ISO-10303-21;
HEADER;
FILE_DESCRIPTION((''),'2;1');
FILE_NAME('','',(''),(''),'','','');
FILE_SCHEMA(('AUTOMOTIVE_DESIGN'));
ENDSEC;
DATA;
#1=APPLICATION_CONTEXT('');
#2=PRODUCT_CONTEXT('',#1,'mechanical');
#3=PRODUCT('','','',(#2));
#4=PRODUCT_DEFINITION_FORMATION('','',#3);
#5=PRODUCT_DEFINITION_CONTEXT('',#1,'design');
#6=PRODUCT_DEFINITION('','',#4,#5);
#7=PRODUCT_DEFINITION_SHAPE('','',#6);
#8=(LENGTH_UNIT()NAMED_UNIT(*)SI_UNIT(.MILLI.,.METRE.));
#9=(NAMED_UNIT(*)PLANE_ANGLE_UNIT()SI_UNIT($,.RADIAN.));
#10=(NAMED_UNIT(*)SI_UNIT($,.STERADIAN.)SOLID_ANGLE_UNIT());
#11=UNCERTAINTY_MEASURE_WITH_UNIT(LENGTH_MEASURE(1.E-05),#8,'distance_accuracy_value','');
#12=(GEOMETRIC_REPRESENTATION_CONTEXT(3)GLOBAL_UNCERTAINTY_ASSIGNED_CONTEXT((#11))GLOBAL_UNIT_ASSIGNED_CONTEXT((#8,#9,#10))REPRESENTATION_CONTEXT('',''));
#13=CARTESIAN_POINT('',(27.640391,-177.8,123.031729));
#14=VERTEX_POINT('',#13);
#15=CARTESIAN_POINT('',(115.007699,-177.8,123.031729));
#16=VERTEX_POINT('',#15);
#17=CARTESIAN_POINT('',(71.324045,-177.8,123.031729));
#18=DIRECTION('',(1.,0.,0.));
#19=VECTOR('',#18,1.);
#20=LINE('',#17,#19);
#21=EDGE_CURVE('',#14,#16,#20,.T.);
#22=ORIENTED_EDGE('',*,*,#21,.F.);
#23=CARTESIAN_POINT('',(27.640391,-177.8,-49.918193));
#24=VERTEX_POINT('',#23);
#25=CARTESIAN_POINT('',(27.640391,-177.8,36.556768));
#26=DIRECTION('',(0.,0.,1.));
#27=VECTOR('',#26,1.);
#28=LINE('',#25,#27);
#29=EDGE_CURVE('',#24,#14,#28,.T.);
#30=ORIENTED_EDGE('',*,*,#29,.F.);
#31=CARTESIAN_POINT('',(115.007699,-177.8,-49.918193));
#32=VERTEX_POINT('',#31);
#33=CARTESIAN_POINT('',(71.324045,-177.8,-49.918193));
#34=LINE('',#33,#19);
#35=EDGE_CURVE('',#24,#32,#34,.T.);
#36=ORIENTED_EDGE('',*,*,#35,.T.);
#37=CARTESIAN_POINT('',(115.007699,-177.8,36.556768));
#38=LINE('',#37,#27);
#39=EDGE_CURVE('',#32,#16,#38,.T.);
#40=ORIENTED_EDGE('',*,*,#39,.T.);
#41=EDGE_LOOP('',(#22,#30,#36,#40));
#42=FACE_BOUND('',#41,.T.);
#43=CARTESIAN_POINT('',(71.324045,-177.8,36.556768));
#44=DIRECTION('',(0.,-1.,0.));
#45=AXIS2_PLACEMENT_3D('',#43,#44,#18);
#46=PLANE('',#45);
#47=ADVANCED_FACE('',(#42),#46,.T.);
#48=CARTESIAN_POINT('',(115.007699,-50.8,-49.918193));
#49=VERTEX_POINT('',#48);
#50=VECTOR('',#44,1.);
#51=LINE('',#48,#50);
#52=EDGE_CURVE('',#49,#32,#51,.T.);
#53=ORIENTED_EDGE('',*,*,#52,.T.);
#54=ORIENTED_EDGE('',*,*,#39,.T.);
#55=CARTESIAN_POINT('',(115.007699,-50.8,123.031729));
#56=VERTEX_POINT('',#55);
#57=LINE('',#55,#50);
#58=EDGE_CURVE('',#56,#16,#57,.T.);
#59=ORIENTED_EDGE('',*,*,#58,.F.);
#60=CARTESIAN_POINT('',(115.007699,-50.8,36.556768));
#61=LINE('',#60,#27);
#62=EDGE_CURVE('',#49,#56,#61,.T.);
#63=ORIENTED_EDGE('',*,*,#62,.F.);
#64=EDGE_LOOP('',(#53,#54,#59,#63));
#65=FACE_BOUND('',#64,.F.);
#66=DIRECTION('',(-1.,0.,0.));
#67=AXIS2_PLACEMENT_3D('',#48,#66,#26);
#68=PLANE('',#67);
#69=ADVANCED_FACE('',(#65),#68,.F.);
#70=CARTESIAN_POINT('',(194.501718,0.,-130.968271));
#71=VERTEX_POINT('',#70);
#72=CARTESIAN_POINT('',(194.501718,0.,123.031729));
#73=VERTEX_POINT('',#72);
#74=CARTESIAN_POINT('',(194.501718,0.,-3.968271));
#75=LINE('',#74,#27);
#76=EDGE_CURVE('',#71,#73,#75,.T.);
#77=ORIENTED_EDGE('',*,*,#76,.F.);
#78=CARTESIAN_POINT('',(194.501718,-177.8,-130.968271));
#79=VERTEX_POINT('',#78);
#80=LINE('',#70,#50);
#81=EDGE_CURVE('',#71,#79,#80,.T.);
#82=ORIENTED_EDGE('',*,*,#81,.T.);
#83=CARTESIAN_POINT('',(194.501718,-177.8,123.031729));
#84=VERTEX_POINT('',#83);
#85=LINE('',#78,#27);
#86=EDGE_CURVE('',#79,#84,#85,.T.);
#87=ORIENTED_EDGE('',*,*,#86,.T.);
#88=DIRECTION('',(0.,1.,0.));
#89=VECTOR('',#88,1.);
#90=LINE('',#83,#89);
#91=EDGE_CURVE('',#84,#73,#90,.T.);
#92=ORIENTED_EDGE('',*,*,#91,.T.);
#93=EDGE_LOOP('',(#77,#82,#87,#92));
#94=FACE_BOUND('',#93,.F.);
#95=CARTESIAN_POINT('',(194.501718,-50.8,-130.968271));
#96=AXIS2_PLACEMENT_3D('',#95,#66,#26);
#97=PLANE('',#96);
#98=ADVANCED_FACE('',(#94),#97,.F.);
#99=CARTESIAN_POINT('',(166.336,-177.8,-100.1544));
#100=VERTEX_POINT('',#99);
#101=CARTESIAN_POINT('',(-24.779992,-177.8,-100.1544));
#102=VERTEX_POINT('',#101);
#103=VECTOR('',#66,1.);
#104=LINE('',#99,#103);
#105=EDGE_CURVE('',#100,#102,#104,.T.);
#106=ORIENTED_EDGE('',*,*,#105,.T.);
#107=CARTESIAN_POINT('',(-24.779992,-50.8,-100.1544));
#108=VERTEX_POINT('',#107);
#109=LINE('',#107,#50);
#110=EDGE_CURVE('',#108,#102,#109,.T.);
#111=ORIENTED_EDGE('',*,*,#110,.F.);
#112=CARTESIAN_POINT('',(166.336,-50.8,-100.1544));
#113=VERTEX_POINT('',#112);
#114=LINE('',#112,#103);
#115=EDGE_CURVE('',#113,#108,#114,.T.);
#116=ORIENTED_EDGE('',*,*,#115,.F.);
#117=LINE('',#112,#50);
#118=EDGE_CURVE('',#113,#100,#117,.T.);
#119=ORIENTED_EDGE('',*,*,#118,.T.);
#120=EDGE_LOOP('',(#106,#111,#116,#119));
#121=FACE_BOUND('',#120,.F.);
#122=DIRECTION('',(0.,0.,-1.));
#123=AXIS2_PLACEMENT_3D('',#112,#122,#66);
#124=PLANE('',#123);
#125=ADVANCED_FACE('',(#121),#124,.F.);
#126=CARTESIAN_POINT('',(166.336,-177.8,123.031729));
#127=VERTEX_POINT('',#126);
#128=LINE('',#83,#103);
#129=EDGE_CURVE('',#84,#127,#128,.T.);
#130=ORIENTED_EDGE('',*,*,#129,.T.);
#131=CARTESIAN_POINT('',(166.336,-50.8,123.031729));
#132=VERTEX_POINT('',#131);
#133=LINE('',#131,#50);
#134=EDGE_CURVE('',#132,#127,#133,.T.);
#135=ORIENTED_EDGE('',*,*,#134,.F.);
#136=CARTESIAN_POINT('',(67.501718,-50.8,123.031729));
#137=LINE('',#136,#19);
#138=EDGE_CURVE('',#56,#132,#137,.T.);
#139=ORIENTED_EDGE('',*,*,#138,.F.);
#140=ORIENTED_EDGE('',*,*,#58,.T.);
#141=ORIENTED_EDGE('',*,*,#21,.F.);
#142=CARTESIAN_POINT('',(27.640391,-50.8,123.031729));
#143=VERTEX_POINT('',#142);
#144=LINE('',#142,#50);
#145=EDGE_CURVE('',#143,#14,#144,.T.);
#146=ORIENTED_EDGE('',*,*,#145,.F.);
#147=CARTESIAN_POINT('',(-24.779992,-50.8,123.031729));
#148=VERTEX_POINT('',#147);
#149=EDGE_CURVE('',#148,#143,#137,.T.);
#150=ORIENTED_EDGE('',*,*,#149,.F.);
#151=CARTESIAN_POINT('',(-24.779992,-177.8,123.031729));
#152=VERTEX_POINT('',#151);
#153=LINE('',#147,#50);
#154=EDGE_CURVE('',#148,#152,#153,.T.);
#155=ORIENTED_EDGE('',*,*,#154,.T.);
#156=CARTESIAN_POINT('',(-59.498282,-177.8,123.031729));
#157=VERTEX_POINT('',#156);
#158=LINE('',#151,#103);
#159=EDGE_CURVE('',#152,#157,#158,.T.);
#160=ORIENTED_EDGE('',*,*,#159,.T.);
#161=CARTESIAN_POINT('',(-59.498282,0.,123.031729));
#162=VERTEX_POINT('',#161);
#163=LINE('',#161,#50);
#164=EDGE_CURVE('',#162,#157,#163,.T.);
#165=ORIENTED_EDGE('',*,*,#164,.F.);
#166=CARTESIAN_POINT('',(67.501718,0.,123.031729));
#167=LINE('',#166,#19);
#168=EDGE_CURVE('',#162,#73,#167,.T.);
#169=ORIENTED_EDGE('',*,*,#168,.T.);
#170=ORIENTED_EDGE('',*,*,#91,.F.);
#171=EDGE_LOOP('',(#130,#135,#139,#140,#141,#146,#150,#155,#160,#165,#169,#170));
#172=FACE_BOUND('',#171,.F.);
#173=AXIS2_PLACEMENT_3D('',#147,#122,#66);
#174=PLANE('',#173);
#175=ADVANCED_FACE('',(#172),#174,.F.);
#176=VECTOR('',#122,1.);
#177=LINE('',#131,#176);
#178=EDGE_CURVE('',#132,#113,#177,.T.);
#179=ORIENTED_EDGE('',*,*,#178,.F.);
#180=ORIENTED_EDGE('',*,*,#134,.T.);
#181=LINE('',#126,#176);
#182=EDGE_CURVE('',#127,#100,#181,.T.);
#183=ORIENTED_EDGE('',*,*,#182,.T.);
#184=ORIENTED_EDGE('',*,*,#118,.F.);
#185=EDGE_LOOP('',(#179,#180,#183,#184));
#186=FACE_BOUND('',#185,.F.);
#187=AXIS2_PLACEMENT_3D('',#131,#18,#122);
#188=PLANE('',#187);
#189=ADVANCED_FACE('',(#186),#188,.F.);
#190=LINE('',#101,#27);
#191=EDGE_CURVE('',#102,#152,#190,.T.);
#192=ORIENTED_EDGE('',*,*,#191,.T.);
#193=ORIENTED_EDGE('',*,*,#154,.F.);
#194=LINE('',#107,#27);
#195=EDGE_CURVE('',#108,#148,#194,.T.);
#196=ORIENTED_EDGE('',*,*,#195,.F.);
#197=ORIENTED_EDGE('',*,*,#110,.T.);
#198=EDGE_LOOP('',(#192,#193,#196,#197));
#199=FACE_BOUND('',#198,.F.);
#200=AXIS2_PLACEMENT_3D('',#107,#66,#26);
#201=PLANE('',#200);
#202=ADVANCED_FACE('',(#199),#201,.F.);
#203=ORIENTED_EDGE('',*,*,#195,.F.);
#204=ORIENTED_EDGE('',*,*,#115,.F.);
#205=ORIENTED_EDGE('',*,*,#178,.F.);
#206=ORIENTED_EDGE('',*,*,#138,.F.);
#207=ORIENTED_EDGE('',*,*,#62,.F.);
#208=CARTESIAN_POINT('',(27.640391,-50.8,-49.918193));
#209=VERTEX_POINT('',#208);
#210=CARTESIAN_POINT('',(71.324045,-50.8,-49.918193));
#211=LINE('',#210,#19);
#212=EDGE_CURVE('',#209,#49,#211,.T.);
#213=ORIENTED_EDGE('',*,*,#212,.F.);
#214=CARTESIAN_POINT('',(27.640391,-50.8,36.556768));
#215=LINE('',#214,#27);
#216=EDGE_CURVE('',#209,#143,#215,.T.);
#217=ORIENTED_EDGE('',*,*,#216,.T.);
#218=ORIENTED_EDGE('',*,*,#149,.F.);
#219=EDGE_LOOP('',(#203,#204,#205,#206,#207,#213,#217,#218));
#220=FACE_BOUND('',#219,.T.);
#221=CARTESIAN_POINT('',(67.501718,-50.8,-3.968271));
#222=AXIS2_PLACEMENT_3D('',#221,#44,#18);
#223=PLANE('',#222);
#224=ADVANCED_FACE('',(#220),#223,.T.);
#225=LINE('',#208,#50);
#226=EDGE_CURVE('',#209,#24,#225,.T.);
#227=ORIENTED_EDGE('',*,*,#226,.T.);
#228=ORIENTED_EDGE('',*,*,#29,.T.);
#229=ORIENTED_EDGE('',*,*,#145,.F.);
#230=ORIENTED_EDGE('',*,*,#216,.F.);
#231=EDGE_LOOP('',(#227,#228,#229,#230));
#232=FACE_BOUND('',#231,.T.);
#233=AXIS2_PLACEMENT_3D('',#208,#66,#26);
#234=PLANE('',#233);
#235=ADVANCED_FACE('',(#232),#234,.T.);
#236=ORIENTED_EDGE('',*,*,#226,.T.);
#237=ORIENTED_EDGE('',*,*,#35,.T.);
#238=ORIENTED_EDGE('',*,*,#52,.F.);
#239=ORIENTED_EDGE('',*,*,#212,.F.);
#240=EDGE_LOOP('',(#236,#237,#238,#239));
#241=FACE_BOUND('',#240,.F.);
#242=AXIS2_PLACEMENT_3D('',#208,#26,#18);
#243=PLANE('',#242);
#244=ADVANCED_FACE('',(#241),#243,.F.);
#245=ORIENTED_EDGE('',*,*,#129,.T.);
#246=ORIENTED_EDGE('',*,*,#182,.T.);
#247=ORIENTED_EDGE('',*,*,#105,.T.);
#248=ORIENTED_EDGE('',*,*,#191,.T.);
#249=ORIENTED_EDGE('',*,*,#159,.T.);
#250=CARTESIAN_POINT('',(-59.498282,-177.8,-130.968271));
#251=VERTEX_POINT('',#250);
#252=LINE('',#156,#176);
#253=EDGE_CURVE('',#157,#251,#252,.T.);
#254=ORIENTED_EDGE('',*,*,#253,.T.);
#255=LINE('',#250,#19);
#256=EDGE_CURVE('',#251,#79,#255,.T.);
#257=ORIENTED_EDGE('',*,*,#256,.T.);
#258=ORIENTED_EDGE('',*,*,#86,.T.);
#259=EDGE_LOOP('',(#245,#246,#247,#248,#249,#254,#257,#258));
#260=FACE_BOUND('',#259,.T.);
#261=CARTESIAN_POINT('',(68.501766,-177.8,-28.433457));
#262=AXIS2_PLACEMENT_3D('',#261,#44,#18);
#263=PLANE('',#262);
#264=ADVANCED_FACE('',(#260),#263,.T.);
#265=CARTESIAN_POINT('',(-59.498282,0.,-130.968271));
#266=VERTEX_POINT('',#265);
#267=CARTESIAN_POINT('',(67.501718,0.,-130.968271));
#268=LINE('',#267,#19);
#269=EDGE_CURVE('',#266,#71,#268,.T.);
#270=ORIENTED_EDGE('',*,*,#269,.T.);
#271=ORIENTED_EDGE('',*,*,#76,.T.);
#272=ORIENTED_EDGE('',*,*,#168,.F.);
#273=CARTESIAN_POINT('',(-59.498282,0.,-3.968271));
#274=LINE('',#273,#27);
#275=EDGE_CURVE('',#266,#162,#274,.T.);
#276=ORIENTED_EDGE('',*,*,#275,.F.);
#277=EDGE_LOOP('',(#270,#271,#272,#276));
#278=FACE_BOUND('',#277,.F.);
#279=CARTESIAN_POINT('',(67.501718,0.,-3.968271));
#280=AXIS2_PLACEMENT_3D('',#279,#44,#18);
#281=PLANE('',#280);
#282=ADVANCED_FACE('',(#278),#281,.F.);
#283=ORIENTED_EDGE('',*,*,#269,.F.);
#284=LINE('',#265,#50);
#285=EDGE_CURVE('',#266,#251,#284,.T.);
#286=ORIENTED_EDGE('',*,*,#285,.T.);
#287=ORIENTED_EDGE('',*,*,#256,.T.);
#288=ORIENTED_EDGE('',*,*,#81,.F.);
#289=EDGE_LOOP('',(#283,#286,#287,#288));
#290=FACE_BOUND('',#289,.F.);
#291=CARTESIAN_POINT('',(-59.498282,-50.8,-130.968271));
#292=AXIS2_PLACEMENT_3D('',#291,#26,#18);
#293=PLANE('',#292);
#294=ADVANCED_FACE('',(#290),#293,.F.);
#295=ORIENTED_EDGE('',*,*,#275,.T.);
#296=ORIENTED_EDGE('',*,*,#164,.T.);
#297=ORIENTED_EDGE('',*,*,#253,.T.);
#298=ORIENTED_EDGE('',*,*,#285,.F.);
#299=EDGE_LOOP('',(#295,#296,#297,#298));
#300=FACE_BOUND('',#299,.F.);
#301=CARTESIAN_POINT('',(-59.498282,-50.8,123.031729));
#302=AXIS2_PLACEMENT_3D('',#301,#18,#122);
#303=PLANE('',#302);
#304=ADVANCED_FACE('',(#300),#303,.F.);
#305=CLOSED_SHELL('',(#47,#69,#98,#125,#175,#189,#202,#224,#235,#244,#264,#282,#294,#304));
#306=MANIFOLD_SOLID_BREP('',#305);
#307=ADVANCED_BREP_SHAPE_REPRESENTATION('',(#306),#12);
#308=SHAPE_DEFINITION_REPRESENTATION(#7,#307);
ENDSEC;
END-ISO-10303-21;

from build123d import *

# Parameters (mm, degrees)
F0_W     = 254
F0_H     = 254
F1_DEPTH = 50.8
F2_W     = 87.367308
F2_H     = 172.949922
F3_DEPTH = 127


with BuildPart() as f1:
    # F0 (on Front) → F1 (new body)
    with BuildSketch(Plane.XZ):
        with Locations((67.501718, -3.968271)):
            Rectangle(F0_W, F0_H)
    extrude(amount=F1_DEPTH)

    # F2 (on face) → F3 (join)
    with BuildSketch(Plane.XZ.offset(50.8)):
        with Locations((71.324045, 36.556768)):
            Rectangle(F2_W, F2_H)
        Polygon((-24.779992, -100.1544), (-24.779992, 123.031729), (-59.498282, 123.031729), (-59.498282, -130.968271), (194.501718, -130.968271), (194.501718, 123.031729), (166.336, 123.031729), (166.336, -100.1544), align=None)
    extrude(amount=F3_DEPTH)


solid = f1.part
